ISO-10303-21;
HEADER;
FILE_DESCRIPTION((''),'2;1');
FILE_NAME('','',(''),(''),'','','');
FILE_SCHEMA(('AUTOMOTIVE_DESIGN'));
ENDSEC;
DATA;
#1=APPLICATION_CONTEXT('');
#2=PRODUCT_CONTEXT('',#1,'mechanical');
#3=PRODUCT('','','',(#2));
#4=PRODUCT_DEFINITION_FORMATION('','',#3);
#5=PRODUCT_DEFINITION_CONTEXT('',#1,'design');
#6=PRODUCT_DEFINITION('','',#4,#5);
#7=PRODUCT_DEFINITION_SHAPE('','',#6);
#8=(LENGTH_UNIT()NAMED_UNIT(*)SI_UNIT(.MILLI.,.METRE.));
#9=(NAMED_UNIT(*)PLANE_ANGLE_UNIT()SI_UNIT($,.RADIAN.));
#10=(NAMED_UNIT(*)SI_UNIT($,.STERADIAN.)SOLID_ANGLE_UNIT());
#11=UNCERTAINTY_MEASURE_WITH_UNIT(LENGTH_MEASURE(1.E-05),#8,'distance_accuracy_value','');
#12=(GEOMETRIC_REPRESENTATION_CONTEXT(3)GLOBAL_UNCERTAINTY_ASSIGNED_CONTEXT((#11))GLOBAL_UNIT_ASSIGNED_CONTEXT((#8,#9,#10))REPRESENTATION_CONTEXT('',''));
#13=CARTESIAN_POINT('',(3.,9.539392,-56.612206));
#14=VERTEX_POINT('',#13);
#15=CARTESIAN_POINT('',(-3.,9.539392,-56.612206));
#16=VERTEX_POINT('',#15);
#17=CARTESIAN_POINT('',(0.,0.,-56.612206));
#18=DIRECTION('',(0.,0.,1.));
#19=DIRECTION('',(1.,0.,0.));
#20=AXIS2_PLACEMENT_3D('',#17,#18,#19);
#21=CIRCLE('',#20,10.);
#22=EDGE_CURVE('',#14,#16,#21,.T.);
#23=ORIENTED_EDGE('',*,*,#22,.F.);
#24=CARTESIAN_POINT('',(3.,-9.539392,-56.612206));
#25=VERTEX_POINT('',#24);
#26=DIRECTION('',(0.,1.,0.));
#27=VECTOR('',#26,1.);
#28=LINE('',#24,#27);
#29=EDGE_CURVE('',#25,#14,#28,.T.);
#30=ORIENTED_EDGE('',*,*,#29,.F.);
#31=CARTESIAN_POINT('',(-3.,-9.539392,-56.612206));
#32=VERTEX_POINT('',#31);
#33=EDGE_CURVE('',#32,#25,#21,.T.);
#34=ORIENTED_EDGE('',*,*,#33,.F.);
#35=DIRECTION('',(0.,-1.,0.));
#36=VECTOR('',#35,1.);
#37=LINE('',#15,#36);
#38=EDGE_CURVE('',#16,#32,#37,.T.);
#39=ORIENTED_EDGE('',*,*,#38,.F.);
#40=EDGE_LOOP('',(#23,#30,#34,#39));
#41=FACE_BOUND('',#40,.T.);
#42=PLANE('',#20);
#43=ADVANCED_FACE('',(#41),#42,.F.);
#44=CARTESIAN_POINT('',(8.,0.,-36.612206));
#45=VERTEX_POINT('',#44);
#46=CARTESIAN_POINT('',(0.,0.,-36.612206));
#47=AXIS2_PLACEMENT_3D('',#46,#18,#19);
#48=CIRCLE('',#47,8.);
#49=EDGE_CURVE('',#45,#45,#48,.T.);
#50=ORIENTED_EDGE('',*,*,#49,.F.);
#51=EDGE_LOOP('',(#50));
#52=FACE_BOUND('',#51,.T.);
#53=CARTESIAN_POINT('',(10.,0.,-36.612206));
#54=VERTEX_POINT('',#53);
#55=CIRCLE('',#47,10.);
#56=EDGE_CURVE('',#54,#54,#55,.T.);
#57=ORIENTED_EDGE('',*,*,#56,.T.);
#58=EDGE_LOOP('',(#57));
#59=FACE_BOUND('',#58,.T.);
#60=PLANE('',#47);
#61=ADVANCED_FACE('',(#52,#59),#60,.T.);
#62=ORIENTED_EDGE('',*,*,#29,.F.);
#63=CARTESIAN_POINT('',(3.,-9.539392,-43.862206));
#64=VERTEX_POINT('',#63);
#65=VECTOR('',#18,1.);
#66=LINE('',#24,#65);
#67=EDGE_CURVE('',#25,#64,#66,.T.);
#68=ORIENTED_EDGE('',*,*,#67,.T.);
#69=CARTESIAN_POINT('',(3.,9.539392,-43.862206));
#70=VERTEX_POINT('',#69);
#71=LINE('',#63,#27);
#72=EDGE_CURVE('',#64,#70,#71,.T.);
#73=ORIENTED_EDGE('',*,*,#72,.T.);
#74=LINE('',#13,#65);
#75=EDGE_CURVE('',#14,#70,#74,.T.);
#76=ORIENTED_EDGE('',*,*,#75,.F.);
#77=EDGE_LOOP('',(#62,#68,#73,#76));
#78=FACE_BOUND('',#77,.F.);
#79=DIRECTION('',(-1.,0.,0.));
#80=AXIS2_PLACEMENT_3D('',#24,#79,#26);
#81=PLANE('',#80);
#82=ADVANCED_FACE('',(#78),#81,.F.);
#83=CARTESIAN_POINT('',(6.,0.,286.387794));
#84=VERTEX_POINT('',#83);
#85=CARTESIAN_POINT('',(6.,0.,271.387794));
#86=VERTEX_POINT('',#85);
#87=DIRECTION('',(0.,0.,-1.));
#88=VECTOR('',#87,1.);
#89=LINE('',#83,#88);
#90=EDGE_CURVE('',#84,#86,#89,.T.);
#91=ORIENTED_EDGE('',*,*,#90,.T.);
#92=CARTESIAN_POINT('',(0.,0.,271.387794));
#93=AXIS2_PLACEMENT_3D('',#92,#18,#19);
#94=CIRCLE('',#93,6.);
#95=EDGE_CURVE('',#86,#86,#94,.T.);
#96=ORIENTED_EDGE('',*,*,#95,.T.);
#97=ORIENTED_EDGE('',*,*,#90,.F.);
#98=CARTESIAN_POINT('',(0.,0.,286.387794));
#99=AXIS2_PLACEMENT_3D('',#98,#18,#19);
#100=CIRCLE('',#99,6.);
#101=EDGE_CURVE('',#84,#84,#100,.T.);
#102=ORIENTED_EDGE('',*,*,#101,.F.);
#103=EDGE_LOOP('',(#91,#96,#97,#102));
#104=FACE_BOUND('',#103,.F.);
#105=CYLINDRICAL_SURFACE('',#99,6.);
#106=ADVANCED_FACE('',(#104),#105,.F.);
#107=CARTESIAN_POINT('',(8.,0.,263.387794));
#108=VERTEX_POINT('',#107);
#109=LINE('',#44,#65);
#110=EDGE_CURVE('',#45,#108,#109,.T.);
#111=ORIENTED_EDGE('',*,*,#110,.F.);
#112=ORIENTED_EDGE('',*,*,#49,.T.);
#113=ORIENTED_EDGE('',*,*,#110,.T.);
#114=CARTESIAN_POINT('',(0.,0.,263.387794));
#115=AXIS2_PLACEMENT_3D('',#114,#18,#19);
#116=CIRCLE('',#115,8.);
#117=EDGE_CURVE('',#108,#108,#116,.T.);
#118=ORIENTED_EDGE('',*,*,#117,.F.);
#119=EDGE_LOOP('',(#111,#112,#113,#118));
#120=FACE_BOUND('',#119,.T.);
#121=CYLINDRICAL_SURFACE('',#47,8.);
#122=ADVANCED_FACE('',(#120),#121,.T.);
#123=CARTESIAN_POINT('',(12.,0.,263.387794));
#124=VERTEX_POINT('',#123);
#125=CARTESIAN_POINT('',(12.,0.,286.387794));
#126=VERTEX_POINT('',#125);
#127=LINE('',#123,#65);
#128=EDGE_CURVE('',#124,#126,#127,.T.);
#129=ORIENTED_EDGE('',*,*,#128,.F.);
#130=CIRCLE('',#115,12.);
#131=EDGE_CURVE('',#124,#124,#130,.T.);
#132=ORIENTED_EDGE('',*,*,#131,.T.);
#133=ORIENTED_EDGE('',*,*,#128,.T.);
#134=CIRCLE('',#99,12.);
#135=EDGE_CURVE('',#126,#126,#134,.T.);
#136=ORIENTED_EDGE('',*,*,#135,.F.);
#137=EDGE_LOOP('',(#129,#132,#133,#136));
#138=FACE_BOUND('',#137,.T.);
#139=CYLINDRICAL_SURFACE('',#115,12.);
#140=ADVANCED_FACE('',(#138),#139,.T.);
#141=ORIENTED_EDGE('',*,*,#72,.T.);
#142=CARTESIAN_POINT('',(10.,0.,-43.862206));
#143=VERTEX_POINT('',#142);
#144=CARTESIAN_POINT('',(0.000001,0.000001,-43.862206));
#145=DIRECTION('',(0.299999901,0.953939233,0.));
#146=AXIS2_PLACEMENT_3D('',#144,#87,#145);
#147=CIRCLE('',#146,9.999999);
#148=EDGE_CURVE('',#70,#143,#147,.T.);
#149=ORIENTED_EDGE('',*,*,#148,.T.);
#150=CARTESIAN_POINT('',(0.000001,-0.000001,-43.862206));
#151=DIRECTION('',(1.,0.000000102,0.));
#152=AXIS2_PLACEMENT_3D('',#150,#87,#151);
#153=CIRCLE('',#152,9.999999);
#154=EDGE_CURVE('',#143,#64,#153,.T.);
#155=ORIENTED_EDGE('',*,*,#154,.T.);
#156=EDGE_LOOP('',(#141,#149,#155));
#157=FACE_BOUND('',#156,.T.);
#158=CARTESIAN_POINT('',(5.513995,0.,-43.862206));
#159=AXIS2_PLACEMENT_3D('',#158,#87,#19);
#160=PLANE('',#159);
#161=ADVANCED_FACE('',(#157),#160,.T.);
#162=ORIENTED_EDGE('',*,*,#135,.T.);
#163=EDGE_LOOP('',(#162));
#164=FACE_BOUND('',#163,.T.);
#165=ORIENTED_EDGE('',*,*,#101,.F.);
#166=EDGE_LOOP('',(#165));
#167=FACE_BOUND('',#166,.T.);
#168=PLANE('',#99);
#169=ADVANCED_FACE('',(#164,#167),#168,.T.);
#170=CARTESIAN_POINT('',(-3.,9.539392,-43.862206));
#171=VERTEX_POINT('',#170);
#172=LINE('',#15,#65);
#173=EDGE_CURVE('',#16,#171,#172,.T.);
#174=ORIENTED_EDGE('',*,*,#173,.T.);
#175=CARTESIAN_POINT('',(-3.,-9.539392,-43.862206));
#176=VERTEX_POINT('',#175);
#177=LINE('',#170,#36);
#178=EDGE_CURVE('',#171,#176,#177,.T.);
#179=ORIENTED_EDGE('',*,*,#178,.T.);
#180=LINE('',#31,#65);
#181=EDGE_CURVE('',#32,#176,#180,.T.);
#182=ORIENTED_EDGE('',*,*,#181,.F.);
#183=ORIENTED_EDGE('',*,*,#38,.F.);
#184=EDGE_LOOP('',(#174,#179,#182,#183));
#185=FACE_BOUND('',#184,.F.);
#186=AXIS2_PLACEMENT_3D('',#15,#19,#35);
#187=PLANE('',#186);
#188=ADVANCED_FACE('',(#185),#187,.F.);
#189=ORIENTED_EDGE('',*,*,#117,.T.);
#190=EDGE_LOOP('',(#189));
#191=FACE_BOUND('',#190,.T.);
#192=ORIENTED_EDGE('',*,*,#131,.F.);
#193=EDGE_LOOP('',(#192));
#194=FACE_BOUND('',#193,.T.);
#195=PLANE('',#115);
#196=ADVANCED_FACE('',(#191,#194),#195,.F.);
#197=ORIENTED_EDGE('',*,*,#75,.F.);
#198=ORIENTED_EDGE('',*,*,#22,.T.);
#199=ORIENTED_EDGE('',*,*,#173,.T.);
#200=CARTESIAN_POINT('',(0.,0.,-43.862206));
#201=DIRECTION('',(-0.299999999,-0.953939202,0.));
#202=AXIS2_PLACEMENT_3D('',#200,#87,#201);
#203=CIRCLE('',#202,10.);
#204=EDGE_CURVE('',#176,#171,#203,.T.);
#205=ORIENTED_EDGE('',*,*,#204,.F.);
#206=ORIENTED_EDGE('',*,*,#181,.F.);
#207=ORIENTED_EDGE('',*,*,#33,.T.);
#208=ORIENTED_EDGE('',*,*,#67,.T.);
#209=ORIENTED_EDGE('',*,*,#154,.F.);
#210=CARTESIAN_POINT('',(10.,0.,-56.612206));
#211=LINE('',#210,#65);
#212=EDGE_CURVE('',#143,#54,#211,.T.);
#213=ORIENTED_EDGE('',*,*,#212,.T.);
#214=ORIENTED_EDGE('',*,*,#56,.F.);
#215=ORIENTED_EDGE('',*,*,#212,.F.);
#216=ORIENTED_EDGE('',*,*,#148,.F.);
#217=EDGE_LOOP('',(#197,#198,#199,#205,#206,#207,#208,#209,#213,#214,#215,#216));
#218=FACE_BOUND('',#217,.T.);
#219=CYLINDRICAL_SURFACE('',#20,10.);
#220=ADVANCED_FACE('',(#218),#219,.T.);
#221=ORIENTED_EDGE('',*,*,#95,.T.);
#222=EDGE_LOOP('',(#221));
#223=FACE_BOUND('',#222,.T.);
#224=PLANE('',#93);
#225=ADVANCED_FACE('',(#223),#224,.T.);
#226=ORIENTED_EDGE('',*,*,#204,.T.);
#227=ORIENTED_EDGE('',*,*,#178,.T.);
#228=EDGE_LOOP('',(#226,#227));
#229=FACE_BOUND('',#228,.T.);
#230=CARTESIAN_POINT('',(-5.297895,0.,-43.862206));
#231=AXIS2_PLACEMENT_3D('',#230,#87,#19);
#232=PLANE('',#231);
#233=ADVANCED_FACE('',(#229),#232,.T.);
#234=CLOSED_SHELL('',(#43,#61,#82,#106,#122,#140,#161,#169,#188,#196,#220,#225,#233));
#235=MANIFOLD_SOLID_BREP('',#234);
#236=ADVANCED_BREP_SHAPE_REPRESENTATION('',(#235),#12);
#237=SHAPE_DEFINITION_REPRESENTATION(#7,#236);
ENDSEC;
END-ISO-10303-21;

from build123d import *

# Parameters (mm, degrees)
F3_DEPTH = 12.75
F4_R     = 6
F5_DEPTH = 15


with BuildPart() as f1:
    # F0 (on Front) → F1 (revolve)
    with BuildSketch(Plane.XZ):
        Polygon((12, 286.387794), (0, 286.387794), (0, -56.612206), (10, -56.612206), (10, -36.612206), (8, -36.612206), (8, 263.387794), (12, 263.387794), align=None)
    revolve(axis=Axis((0, 0, 114.887794), (0, 0, 1)))

    # F2 (on face) → F3 (cut)
    with BuildSketch(Plane(origin=(0, 0, -56.612206), x_dir=(1, 0, 0), z_dir=(0, 0, -1))):
        with BuildLine():
            Line((3, 9.539392), (3, 0))
            Line((3, 0), (3, -9.539392))
            ThreePointArc((3, -9.539392), (8.062258, -5.91608), (10, 0))
            ThreePointArc((10, 0), (8.062258, 5.91608), (3, 9.539392))
        make_face()
        with BuildLine():
            Line((-3, -9.539392), (-3, 0))
            Line((-3, 0), (-3, 9.539392))
            ThreePointArc((-3, 9.539392), (-10, 0), (-3, -9.539392))
        make_face()
    extrude(amount=-F3_DEPTH, mode=Mode.SUBTRACT)

    # F4 (on face) → F5 (cut)
    with BuildSketch(Plane.XY.offset(286.387794)):
        Circle(F4_R)
    extrude(amount=-F5_DEPTH, mode=Mode.SUBTRACT)


solid = f1.part
